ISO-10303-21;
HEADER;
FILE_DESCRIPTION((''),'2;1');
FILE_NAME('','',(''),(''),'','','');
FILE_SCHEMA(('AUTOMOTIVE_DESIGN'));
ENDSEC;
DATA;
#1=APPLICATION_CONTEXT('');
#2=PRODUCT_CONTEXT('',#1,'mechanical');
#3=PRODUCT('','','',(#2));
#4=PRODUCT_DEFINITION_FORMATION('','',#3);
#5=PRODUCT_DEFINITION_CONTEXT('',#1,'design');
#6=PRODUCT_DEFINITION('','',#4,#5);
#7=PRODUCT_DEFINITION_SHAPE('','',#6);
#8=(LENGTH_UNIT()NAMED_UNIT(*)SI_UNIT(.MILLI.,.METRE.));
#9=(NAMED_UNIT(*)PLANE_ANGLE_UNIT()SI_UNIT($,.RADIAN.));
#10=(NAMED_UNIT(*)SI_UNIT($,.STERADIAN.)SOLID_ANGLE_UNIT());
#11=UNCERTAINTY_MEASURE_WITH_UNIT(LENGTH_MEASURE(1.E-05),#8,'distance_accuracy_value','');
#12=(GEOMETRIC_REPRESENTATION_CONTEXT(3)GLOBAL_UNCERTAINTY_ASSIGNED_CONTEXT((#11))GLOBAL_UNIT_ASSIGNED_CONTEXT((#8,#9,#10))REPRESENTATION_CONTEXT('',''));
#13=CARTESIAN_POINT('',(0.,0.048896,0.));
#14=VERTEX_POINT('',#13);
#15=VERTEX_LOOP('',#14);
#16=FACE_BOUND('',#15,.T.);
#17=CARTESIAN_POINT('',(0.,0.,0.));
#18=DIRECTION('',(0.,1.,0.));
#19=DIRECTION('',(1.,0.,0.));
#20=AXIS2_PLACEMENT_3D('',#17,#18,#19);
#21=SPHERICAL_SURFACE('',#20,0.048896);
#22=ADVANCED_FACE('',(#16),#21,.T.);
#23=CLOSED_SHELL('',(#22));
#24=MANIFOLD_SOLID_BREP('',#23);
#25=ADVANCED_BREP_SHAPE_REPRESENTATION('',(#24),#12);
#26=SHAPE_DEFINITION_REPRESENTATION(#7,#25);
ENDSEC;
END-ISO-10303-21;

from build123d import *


with BuildPart() as part:
    # ｽｹｯﾁ1 → 回転2 (revolve)
    with BuildSketch(Plane.XY):
        with BuildLine():
            Line((0, 0.048895716), (0, -0.048895716))
            ThreePointArc((0, -0.048895716), (0.048895716, 0), (0, 0.048895716))
        make_face()
    revolve(axis=Axis((0, 0.048895716, 0), (0, -1, 0)))


solid = part.part
